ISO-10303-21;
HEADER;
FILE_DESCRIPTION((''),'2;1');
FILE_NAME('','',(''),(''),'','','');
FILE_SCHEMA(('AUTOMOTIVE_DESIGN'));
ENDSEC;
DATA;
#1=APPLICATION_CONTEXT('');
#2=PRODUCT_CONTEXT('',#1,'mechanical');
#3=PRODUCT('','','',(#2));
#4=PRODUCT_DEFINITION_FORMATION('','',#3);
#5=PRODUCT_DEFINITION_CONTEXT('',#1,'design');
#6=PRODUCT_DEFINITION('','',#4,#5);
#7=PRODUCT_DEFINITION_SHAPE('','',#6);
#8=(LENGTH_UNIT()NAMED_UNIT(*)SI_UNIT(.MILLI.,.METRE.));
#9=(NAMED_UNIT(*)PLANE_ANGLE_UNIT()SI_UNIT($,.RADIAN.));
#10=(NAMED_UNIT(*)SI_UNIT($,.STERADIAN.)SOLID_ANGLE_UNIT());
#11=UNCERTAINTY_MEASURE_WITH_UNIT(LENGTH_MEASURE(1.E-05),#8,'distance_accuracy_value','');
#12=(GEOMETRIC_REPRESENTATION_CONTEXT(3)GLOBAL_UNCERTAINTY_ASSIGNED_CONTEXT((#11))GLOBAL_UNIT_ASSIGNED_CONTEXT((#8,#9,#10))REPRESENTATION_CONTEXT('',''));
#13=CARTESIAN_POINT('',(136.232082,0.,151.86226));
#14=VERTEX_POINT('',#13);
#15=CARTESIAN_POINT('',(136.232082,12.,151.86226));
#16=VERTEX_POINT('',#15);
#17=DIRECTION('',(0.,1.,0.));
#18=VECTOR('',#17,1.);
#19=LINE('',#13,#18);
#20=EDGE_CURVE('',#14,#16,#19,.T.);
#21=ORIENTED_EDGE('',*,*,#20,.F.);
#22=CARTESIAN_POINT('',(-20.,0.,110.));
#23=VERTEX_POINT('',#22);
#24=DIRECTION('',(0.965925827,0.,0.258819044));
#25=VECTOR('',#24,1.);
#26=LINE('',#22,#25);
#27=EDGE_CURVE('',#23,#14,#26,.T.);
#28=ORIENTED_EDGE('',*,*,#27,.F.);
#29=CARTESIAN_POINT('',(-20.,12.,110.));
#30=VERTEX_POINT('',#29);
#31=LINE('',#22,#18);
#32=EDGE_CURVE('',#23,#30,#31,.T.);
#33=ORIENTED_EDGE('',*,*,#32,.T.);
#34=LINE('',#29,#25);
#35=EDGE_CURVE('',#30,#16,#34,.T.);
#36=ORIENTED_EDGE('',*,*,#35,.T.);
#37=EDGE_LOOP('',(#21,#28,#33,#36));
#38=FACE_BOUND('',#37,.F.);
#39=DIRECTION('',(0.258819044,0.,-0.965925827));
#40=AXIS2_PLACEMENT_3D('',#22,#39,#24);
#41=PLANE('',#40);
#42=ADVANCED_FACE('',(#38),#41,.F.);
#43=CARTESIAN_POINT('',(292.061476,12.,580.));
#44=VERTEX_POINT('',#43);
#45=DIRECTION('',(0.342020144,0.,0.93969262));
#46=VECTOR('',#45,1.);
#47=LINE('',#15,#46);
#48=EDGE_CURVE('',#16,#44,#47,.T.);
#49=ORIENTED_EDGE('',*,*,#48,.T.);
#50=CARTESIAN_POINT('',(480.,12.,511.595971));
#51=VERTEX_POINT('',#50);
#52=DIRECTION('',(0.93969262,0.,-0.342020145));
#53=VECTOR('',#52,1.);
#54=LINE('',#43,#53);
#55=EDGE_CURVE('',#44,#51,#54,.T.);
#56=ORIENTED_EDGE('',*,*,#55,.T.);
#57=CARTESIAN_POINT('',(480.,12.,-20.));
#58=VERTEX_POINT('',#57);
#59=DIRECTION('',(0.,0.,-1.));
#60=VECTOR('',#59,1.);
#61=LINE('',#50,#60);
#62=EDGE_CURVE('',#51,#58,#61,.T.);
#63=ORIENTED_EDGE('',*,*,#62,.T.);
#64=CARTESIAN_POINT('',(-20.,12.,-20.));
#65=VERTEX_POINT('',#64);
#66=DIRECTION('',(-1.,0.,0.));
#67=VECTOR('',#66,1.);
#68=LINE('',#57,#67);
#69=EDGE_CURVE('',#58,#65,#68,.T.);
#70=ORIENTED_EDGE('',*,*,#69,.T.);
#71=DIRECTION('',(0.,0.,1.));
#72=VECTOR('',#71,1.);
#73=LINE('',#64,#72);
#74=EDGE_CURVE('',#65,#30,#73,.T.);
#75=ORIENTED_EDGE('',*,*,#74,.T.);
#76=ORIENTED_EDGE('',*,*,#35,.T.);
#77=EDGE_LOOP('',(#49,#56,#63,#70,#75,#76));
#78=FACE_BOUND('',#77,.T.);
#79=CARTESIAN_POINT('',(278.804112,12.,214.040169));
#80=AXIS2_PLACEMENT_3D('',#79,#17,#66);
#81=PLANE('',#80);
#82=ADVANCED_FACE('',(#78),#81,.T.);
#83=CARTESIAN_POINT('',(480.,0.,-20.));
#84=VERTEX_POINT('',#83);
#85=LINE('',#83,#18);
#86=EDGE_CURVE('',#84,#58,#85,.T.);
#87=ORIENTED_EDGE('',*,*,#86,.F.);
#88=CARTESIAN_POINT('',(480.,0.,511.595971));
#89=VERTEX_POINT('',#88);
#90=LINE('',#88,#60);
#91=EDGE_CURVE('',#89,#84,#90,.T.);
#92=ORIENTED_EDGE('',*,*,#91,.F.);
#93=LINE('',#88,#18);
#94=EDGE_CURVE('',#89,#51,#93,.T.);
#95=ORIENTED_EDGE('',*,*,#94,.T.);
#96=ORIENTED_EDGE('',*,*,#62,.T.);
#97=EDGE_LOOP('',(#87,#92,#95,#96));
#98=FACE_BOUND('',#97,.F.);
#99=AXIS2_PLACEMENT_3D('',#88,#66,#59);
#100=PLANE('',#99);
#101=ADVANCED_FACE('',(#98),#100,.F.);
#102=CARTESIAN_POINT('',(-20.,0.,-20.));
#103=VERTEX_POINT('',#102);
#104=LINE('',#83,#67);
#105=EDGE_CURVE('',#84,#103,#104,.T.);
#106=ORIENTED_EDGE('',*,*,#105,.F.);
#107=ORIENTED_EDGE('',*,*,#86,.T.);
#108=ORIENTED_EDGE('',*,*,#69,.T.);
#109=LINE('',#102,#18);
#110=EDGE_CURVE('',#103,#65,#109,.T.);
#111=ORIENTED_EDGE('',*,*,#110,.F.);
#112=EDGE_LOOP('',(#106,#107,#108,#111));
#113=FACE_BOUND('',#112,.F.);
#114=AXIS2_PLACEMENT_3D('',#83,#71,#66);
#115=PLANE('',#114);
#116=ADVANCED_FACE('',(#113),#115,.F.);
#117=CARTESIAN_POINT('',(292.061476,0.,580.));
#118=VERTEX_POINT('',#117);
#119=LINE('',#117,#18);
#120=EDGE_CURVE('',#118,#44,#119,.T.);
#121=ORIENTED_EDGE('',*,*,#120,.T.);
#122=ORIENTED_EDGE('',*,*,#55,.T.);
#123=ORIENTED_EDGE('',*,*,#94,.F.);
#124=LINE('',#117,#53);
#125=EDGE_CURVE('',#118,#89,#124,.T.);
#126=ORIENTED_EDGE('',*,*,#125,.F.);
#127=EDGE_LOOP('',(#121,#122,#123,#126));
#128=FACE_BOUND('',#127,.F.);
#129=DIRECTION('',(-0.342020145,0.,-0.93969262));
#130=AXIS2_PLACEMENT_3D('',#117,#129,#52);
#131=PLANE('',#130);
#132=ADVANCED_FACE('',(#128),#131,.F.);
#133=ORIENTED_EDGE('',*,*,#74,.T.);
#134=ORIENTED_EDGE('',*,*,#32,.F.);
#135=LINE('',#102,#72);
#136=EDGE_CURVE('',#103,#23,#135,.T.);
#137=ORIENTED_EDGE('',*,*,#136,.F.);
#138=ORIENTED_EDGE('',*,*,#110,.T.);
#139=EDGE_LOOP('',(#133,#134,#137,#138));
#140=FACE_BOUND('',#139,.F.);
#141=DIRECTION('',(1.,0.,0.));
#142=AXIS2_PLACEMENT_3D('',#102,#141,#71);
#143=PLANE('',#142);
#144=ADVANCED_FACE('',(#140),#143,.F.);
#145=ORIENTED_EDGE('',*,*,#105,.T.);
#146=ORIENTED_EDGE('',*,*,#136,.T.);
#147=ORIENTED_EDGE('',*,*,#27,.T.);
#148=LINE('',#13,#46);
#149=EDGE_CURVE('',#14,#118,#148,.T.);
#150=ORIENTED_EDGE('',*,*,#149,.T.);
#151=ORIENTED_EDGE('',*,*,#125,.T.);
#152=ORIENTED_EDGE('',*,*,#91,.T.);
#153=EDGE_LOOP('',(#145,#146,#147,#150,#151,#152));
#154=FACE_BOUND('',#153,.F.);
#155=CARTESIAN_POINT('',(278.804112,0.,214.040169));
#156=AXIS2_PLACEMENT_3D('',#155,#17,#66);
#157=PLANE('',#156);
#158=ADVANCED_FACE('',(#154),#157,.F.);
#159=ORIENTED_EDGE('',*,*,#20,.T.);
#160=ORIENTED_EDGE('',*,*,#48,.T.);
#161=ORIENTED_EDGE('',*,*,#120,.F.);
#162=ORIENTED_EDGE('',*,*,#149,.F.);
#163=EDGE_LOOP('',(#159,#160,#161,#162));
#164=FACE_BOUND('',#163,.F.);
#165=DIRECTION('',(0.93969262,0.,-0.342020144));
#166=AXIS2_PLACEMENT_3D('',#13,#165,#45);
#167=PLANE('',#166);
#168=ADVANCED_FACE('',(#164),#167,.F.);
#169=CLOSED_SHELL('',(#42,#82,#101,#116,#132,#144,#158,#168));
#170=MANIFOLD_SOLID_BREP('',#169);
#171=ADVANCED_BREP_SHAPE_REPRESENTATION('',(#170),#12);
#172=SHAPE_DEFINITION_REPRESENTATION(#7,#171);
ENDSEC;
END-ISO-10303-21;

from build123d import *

# Parameters (mm, degrees)
PAD_DEPTH    = 12
POCKET_DEPTH = 1


with BuildPart() as part:
    # Sketch001 → Pad (new body)
    with BuildSketch(Plane.XZ):
        Polygon((-20, -20), (-20, 110), (136.232082, 151.86226), (292.061476, 580), (480, 511.595971), (480, -20), align=None)
    extrude(amount=-PAD_DEPTH)

    # Sketch002 (on Face7 of Pad) → Pocket (cut)
    with BuildSketch(Plane.XZ):
        Polygon((465, -5), (465, 501.092858), (301.026563, 560.774309), (147.656805, 139.394363), (-5, 98.490095), (-5, -5), align=None)
    extrude(amount=POCKET_DEPTH, mode=Mode.SUBTRACT)


solid = part.part
